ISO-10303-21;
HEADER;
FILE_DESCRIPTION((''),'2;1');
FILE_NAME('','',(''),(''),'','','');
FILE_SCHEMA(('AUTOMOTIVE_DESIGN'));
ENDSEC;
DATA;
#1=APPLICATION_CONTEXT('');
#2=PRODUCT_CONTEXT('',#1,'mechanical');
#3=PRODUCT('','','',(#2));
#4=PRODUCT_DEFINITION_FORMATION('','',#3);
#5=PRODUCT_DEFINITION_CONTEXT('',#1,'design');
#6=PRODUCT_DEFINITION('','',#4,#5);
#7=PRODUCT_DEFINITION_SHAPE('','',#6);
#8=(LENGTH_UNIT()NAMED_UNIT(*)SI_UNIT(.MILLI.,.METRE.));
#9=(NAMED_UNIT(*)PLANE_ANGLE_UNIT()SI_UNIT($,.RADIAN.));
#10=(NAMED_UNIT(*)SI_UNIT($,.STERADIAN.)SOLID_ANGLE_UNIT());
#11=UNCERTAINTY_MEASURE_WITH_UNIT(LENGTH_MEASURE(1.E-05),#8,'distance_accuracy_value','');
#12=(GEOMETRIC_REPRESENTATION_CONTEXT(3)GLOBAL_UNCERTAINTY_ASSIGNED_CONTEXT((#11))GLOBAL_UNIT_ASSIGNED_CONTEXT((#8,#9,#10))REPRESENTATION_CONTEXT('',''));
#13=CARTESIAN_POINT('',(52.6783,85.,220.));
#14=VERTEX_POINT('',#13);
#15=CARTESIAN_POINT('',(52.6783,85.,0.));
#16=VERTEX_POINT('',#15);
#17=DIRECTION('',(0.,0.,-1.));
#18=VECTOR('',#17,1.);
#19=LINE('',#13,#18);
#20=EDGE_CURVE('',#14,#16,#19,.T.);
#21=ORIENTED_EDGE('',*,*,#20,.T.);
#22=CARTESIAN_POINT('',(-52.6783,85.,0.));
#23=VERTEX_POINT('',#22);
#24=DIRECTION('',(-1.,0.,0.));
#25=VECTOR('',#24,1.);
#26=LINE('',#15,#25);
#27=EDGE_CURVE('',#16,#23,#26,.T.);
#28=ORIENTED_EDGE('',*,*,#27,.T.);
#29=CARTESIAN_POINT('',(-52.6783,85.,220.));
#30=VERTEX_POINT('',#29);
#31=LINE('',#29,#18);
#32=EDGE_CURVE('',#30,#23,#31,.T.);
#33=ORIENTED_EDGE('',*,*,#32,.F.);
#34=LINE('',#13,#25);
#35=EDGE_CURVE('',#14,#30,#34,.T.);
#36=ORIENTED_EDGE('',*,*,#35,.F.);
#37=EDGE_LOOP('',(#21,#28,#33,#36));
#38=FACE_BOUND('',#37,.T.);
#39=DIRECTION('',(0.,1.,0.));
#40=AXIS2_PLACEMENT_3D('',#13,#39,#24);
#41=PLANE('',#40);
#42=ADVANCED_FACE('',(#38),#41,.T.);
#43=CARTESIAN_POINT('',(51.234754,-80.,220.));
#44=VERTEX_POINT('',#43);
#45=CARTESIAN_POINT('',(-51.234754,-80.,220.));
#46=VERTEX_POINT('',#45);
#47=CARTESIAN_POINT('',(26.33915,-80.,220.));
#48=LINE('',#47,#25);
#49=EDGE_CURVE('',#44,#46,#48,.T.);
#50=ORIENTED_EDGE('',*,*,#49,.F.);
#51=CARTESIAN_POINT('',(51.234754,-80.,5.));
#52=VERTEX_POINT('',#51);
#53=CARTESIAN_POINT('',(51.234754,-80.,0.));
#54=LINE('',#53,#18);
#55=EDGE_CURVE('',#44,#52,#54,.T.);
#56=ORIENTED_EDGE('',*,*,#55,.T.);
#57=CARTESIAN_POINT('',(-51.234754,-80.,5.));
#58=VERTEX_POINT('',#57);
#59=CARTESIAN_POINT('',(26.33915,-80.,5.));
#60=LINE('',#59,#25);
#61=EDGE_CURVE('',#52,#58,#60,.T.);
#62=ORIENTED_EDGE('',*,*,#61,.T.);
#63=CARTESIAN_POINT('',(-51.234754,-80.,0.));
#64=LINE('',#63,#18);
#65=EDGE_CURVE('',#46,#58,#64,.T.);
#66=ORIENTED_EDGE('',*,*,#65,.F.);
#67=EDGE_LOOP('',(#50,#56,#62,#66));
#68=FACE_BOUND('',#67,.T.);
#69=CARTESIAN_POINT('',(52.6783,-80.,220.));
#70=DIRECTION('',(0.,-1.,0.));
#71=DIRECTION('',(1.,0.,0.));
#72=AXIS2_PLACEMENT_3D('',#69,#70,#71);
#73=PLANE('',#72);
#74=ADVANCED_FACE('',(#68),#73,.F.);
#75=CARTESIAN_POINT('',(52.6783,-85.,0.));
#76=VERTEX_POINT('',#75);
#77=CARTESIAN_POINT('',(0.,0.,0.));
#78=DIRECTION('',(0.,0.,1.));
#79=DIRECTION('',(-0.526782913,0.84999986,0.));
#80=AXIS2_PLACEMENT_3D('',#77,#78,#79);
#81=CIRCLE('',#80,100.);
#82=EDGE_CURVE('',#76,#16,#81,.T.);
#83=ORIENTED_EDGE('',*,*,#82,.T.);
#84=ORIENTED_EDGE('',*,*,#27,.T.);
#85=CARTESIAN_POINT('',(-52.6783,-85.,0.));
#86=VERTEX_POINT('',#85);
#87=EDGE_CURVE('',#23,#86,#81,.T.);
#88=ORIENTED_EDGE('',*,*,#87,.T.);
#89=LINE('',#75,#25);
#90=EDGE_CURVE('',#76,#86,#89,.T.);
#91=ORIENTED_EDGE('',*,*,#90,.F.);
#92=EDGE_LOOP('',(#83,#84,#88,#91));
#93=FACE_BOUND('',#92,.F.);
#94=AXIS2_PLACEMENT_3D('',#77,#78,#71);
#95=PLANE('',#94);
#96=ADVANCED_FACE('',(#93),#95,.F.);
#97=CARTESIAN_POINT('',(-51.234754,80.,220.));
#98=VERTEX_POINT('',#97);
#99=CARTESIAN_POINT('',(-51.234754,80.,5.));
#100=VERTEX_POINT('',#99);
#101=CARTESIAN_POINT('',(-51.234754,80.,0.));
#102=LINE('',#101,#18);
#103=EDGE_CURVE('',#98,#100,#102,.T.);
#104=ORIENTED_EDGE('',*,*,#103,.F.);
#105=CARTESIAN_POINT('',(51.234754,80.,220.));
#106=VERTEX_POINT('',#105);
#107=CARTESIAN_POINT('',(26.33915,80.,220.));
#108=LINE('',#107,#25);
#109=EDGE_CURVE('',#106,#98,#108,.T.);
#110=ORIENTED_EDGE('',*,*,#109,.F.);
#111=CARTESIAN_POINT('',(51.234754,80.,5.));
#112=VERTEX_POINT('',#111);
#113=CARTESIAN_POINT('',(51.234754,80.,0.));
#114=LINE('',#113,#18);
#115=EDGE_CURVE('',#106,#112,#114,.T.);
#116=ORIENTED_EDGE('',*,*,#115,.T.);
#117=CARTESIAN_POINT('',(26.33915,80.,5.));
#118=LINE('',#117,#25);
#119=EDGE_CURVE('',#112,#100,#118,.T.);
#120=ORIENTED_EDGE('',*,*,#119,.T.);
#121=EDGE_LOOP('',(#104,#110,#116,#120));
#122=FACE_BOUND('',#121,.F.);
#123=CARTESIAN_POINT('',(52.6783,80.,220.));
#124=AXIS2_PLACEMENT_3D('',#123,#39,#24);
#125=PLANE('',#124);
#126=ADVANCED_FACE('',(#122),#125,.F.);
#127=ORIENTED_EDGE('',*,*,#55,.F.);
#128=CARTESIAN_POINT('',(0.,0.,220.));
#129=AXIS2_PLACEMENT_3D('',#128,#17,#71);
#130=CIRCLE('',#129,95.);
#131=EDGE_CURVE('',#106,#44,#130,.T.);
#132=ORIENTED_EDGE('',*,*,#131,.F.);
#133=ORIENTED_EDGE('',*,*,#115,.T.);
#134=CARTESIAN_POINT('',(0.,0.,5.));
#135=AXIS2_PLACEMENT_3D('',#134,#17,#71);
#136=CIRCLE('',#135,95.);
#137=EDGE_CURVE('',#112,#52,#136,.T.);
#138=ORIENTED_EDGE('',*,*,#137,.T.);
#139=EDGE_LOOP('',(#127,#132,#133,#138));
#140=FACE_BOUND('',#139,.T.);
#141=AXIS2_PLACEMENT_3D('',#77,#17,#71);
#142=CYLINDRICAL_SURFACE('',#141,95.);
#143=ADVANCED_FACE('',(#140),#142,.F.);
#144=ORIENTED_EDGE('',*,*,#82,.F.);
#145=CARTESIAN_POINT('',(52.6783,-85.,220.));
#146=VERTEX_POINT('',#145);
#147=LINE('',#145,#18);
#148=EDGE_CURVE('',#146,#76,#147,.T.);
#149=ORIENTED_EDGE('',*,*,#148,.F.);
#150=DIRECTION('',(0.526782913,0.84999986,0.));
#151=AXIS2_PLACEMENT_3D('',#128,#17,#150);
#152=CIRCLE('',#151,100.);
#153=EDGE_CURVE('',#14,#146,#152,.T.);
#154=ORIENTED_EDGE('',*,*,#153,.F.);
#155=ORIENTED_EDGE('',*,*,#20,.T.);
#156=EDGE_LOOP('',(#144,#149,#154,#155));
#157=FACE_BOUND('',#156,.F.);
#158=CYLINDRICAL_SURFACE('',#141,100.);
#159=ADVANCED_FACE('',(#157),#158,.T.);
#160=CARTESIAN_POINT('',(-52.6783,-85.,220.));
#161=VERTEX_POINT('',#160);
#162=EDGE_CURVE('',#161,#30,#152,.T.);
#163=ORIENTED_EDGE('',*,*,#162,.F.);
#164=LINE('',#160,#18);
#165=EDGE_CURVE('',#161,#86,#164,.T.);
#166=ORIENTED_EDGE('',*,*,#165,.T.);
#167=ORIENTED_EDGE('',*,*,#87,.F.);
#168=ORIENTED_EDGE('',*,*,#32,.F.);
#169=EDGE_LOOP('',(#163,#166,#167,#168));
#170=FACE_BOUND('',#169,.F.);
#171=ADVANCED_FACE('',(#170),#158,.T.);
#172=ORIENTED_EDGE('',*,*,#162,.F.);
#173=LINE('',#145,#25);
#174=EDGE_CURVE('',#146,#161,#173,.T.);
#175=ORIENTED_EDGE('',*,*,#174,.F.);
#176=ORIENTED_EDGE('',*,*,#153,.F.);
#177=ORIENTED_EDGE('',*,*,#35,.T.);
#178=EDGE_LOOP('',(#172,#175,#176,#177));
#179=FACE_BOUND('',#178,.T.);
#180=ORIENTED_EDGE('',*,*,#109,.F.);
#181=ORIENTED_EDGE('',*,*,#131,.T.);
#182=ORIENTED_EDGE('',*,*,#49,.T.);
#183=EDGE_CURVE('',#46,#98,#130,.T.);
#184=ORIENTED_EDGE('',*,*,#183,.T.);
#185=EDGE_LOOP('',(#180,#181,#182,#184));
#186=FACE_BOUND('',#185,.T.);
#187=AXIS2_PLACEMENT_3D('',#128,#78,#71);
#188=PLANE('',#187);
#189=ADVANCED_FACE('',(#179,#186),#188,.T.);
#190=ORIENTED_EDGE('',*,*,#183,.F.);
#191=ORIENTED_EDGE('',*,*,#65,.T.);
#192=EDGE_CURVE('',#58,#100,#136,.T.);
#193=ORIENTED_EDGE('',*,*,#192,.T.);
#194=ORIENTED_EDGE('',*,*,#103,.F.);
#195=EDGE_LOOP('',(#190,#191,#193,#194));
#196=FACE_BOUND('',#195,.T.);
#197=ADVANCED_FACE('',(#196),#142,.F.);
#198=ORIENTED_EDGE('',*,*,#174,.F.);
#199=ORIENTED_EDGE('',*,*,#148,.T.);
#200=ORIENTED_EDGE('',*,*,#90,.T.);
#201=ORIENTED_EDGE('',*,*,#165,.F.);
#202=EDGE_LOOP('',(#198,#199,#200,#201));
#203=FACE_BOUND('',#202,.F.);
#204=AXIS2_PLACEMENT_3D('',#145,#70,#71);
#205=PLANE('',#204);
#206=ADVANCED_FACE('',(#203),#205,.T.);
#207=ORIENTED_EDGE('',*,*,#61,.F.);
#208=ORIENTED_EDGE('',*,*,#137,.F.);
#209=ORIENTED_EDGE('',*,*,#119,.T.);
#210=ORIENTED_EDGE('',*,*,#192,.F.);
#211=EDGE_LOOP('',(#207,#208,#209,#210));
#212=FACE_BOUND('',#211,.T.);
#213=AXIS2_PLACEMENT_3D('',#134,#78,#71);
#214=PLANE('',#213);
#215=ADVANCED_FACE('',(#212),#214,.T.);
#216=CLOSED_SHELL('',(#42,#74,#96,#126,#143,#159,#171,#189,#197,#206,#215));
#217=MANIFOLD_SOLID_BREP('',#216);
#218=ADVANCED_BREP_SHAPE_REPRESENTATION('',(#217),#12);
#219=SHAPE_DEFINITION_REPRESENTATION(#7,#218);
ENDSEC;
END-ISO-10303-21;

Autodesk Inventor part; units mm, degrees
ref_plane "YZ Plane" through (0, 0, 0) normal (1, 0, 0) x (0, 1, 0)
ref_plane "XZ Plane" through (0, 0, 0) normal (0, 1, 0) x (-1, 0, 0)
ref_plane "XY Plane" through (0, 0, 0) normal (0, 0, 1) x (1, 0, 0)
sketch "Sketch1" plane through (0, 0, 0) normal (0, 0, 1) x (1, 0, 0)
  circle A0 centre (0, 0) radius 100
  dimension "d0" = 200
extrude "Extrusion1" add sketch "Sketch1" along normal blind 220
sketch "Sketch3" plane through (0, 0, 220) normal (0, 0, 1) x (1, 0, 0)
  line L0 (0, 0) -> (0, 85) construction
  circle A0 centre (0, 0) radius 100 projected
  arc A1 (52.6783, 85) -> (-52.6783, 85) centre (0, 0) ccw
  line L1 (52.6783, 85) -> (-52.6783, 85)
  dimension "d4" = 85
extrude "Extrusion2" cut sketch "Sketch3" against normal up to surface (220 mm away) contours L1 A0 picked at (-13.4735, 87.1556)
mirror "Mirror1" about plane through (0, 0, 0) normal (0, 1, 0) of "Extrusion2"
shell "Shell1" thickness 5 removed faces 1 at (-13.8939, 25.7023, 220)
properties part number "alternate brain box"
